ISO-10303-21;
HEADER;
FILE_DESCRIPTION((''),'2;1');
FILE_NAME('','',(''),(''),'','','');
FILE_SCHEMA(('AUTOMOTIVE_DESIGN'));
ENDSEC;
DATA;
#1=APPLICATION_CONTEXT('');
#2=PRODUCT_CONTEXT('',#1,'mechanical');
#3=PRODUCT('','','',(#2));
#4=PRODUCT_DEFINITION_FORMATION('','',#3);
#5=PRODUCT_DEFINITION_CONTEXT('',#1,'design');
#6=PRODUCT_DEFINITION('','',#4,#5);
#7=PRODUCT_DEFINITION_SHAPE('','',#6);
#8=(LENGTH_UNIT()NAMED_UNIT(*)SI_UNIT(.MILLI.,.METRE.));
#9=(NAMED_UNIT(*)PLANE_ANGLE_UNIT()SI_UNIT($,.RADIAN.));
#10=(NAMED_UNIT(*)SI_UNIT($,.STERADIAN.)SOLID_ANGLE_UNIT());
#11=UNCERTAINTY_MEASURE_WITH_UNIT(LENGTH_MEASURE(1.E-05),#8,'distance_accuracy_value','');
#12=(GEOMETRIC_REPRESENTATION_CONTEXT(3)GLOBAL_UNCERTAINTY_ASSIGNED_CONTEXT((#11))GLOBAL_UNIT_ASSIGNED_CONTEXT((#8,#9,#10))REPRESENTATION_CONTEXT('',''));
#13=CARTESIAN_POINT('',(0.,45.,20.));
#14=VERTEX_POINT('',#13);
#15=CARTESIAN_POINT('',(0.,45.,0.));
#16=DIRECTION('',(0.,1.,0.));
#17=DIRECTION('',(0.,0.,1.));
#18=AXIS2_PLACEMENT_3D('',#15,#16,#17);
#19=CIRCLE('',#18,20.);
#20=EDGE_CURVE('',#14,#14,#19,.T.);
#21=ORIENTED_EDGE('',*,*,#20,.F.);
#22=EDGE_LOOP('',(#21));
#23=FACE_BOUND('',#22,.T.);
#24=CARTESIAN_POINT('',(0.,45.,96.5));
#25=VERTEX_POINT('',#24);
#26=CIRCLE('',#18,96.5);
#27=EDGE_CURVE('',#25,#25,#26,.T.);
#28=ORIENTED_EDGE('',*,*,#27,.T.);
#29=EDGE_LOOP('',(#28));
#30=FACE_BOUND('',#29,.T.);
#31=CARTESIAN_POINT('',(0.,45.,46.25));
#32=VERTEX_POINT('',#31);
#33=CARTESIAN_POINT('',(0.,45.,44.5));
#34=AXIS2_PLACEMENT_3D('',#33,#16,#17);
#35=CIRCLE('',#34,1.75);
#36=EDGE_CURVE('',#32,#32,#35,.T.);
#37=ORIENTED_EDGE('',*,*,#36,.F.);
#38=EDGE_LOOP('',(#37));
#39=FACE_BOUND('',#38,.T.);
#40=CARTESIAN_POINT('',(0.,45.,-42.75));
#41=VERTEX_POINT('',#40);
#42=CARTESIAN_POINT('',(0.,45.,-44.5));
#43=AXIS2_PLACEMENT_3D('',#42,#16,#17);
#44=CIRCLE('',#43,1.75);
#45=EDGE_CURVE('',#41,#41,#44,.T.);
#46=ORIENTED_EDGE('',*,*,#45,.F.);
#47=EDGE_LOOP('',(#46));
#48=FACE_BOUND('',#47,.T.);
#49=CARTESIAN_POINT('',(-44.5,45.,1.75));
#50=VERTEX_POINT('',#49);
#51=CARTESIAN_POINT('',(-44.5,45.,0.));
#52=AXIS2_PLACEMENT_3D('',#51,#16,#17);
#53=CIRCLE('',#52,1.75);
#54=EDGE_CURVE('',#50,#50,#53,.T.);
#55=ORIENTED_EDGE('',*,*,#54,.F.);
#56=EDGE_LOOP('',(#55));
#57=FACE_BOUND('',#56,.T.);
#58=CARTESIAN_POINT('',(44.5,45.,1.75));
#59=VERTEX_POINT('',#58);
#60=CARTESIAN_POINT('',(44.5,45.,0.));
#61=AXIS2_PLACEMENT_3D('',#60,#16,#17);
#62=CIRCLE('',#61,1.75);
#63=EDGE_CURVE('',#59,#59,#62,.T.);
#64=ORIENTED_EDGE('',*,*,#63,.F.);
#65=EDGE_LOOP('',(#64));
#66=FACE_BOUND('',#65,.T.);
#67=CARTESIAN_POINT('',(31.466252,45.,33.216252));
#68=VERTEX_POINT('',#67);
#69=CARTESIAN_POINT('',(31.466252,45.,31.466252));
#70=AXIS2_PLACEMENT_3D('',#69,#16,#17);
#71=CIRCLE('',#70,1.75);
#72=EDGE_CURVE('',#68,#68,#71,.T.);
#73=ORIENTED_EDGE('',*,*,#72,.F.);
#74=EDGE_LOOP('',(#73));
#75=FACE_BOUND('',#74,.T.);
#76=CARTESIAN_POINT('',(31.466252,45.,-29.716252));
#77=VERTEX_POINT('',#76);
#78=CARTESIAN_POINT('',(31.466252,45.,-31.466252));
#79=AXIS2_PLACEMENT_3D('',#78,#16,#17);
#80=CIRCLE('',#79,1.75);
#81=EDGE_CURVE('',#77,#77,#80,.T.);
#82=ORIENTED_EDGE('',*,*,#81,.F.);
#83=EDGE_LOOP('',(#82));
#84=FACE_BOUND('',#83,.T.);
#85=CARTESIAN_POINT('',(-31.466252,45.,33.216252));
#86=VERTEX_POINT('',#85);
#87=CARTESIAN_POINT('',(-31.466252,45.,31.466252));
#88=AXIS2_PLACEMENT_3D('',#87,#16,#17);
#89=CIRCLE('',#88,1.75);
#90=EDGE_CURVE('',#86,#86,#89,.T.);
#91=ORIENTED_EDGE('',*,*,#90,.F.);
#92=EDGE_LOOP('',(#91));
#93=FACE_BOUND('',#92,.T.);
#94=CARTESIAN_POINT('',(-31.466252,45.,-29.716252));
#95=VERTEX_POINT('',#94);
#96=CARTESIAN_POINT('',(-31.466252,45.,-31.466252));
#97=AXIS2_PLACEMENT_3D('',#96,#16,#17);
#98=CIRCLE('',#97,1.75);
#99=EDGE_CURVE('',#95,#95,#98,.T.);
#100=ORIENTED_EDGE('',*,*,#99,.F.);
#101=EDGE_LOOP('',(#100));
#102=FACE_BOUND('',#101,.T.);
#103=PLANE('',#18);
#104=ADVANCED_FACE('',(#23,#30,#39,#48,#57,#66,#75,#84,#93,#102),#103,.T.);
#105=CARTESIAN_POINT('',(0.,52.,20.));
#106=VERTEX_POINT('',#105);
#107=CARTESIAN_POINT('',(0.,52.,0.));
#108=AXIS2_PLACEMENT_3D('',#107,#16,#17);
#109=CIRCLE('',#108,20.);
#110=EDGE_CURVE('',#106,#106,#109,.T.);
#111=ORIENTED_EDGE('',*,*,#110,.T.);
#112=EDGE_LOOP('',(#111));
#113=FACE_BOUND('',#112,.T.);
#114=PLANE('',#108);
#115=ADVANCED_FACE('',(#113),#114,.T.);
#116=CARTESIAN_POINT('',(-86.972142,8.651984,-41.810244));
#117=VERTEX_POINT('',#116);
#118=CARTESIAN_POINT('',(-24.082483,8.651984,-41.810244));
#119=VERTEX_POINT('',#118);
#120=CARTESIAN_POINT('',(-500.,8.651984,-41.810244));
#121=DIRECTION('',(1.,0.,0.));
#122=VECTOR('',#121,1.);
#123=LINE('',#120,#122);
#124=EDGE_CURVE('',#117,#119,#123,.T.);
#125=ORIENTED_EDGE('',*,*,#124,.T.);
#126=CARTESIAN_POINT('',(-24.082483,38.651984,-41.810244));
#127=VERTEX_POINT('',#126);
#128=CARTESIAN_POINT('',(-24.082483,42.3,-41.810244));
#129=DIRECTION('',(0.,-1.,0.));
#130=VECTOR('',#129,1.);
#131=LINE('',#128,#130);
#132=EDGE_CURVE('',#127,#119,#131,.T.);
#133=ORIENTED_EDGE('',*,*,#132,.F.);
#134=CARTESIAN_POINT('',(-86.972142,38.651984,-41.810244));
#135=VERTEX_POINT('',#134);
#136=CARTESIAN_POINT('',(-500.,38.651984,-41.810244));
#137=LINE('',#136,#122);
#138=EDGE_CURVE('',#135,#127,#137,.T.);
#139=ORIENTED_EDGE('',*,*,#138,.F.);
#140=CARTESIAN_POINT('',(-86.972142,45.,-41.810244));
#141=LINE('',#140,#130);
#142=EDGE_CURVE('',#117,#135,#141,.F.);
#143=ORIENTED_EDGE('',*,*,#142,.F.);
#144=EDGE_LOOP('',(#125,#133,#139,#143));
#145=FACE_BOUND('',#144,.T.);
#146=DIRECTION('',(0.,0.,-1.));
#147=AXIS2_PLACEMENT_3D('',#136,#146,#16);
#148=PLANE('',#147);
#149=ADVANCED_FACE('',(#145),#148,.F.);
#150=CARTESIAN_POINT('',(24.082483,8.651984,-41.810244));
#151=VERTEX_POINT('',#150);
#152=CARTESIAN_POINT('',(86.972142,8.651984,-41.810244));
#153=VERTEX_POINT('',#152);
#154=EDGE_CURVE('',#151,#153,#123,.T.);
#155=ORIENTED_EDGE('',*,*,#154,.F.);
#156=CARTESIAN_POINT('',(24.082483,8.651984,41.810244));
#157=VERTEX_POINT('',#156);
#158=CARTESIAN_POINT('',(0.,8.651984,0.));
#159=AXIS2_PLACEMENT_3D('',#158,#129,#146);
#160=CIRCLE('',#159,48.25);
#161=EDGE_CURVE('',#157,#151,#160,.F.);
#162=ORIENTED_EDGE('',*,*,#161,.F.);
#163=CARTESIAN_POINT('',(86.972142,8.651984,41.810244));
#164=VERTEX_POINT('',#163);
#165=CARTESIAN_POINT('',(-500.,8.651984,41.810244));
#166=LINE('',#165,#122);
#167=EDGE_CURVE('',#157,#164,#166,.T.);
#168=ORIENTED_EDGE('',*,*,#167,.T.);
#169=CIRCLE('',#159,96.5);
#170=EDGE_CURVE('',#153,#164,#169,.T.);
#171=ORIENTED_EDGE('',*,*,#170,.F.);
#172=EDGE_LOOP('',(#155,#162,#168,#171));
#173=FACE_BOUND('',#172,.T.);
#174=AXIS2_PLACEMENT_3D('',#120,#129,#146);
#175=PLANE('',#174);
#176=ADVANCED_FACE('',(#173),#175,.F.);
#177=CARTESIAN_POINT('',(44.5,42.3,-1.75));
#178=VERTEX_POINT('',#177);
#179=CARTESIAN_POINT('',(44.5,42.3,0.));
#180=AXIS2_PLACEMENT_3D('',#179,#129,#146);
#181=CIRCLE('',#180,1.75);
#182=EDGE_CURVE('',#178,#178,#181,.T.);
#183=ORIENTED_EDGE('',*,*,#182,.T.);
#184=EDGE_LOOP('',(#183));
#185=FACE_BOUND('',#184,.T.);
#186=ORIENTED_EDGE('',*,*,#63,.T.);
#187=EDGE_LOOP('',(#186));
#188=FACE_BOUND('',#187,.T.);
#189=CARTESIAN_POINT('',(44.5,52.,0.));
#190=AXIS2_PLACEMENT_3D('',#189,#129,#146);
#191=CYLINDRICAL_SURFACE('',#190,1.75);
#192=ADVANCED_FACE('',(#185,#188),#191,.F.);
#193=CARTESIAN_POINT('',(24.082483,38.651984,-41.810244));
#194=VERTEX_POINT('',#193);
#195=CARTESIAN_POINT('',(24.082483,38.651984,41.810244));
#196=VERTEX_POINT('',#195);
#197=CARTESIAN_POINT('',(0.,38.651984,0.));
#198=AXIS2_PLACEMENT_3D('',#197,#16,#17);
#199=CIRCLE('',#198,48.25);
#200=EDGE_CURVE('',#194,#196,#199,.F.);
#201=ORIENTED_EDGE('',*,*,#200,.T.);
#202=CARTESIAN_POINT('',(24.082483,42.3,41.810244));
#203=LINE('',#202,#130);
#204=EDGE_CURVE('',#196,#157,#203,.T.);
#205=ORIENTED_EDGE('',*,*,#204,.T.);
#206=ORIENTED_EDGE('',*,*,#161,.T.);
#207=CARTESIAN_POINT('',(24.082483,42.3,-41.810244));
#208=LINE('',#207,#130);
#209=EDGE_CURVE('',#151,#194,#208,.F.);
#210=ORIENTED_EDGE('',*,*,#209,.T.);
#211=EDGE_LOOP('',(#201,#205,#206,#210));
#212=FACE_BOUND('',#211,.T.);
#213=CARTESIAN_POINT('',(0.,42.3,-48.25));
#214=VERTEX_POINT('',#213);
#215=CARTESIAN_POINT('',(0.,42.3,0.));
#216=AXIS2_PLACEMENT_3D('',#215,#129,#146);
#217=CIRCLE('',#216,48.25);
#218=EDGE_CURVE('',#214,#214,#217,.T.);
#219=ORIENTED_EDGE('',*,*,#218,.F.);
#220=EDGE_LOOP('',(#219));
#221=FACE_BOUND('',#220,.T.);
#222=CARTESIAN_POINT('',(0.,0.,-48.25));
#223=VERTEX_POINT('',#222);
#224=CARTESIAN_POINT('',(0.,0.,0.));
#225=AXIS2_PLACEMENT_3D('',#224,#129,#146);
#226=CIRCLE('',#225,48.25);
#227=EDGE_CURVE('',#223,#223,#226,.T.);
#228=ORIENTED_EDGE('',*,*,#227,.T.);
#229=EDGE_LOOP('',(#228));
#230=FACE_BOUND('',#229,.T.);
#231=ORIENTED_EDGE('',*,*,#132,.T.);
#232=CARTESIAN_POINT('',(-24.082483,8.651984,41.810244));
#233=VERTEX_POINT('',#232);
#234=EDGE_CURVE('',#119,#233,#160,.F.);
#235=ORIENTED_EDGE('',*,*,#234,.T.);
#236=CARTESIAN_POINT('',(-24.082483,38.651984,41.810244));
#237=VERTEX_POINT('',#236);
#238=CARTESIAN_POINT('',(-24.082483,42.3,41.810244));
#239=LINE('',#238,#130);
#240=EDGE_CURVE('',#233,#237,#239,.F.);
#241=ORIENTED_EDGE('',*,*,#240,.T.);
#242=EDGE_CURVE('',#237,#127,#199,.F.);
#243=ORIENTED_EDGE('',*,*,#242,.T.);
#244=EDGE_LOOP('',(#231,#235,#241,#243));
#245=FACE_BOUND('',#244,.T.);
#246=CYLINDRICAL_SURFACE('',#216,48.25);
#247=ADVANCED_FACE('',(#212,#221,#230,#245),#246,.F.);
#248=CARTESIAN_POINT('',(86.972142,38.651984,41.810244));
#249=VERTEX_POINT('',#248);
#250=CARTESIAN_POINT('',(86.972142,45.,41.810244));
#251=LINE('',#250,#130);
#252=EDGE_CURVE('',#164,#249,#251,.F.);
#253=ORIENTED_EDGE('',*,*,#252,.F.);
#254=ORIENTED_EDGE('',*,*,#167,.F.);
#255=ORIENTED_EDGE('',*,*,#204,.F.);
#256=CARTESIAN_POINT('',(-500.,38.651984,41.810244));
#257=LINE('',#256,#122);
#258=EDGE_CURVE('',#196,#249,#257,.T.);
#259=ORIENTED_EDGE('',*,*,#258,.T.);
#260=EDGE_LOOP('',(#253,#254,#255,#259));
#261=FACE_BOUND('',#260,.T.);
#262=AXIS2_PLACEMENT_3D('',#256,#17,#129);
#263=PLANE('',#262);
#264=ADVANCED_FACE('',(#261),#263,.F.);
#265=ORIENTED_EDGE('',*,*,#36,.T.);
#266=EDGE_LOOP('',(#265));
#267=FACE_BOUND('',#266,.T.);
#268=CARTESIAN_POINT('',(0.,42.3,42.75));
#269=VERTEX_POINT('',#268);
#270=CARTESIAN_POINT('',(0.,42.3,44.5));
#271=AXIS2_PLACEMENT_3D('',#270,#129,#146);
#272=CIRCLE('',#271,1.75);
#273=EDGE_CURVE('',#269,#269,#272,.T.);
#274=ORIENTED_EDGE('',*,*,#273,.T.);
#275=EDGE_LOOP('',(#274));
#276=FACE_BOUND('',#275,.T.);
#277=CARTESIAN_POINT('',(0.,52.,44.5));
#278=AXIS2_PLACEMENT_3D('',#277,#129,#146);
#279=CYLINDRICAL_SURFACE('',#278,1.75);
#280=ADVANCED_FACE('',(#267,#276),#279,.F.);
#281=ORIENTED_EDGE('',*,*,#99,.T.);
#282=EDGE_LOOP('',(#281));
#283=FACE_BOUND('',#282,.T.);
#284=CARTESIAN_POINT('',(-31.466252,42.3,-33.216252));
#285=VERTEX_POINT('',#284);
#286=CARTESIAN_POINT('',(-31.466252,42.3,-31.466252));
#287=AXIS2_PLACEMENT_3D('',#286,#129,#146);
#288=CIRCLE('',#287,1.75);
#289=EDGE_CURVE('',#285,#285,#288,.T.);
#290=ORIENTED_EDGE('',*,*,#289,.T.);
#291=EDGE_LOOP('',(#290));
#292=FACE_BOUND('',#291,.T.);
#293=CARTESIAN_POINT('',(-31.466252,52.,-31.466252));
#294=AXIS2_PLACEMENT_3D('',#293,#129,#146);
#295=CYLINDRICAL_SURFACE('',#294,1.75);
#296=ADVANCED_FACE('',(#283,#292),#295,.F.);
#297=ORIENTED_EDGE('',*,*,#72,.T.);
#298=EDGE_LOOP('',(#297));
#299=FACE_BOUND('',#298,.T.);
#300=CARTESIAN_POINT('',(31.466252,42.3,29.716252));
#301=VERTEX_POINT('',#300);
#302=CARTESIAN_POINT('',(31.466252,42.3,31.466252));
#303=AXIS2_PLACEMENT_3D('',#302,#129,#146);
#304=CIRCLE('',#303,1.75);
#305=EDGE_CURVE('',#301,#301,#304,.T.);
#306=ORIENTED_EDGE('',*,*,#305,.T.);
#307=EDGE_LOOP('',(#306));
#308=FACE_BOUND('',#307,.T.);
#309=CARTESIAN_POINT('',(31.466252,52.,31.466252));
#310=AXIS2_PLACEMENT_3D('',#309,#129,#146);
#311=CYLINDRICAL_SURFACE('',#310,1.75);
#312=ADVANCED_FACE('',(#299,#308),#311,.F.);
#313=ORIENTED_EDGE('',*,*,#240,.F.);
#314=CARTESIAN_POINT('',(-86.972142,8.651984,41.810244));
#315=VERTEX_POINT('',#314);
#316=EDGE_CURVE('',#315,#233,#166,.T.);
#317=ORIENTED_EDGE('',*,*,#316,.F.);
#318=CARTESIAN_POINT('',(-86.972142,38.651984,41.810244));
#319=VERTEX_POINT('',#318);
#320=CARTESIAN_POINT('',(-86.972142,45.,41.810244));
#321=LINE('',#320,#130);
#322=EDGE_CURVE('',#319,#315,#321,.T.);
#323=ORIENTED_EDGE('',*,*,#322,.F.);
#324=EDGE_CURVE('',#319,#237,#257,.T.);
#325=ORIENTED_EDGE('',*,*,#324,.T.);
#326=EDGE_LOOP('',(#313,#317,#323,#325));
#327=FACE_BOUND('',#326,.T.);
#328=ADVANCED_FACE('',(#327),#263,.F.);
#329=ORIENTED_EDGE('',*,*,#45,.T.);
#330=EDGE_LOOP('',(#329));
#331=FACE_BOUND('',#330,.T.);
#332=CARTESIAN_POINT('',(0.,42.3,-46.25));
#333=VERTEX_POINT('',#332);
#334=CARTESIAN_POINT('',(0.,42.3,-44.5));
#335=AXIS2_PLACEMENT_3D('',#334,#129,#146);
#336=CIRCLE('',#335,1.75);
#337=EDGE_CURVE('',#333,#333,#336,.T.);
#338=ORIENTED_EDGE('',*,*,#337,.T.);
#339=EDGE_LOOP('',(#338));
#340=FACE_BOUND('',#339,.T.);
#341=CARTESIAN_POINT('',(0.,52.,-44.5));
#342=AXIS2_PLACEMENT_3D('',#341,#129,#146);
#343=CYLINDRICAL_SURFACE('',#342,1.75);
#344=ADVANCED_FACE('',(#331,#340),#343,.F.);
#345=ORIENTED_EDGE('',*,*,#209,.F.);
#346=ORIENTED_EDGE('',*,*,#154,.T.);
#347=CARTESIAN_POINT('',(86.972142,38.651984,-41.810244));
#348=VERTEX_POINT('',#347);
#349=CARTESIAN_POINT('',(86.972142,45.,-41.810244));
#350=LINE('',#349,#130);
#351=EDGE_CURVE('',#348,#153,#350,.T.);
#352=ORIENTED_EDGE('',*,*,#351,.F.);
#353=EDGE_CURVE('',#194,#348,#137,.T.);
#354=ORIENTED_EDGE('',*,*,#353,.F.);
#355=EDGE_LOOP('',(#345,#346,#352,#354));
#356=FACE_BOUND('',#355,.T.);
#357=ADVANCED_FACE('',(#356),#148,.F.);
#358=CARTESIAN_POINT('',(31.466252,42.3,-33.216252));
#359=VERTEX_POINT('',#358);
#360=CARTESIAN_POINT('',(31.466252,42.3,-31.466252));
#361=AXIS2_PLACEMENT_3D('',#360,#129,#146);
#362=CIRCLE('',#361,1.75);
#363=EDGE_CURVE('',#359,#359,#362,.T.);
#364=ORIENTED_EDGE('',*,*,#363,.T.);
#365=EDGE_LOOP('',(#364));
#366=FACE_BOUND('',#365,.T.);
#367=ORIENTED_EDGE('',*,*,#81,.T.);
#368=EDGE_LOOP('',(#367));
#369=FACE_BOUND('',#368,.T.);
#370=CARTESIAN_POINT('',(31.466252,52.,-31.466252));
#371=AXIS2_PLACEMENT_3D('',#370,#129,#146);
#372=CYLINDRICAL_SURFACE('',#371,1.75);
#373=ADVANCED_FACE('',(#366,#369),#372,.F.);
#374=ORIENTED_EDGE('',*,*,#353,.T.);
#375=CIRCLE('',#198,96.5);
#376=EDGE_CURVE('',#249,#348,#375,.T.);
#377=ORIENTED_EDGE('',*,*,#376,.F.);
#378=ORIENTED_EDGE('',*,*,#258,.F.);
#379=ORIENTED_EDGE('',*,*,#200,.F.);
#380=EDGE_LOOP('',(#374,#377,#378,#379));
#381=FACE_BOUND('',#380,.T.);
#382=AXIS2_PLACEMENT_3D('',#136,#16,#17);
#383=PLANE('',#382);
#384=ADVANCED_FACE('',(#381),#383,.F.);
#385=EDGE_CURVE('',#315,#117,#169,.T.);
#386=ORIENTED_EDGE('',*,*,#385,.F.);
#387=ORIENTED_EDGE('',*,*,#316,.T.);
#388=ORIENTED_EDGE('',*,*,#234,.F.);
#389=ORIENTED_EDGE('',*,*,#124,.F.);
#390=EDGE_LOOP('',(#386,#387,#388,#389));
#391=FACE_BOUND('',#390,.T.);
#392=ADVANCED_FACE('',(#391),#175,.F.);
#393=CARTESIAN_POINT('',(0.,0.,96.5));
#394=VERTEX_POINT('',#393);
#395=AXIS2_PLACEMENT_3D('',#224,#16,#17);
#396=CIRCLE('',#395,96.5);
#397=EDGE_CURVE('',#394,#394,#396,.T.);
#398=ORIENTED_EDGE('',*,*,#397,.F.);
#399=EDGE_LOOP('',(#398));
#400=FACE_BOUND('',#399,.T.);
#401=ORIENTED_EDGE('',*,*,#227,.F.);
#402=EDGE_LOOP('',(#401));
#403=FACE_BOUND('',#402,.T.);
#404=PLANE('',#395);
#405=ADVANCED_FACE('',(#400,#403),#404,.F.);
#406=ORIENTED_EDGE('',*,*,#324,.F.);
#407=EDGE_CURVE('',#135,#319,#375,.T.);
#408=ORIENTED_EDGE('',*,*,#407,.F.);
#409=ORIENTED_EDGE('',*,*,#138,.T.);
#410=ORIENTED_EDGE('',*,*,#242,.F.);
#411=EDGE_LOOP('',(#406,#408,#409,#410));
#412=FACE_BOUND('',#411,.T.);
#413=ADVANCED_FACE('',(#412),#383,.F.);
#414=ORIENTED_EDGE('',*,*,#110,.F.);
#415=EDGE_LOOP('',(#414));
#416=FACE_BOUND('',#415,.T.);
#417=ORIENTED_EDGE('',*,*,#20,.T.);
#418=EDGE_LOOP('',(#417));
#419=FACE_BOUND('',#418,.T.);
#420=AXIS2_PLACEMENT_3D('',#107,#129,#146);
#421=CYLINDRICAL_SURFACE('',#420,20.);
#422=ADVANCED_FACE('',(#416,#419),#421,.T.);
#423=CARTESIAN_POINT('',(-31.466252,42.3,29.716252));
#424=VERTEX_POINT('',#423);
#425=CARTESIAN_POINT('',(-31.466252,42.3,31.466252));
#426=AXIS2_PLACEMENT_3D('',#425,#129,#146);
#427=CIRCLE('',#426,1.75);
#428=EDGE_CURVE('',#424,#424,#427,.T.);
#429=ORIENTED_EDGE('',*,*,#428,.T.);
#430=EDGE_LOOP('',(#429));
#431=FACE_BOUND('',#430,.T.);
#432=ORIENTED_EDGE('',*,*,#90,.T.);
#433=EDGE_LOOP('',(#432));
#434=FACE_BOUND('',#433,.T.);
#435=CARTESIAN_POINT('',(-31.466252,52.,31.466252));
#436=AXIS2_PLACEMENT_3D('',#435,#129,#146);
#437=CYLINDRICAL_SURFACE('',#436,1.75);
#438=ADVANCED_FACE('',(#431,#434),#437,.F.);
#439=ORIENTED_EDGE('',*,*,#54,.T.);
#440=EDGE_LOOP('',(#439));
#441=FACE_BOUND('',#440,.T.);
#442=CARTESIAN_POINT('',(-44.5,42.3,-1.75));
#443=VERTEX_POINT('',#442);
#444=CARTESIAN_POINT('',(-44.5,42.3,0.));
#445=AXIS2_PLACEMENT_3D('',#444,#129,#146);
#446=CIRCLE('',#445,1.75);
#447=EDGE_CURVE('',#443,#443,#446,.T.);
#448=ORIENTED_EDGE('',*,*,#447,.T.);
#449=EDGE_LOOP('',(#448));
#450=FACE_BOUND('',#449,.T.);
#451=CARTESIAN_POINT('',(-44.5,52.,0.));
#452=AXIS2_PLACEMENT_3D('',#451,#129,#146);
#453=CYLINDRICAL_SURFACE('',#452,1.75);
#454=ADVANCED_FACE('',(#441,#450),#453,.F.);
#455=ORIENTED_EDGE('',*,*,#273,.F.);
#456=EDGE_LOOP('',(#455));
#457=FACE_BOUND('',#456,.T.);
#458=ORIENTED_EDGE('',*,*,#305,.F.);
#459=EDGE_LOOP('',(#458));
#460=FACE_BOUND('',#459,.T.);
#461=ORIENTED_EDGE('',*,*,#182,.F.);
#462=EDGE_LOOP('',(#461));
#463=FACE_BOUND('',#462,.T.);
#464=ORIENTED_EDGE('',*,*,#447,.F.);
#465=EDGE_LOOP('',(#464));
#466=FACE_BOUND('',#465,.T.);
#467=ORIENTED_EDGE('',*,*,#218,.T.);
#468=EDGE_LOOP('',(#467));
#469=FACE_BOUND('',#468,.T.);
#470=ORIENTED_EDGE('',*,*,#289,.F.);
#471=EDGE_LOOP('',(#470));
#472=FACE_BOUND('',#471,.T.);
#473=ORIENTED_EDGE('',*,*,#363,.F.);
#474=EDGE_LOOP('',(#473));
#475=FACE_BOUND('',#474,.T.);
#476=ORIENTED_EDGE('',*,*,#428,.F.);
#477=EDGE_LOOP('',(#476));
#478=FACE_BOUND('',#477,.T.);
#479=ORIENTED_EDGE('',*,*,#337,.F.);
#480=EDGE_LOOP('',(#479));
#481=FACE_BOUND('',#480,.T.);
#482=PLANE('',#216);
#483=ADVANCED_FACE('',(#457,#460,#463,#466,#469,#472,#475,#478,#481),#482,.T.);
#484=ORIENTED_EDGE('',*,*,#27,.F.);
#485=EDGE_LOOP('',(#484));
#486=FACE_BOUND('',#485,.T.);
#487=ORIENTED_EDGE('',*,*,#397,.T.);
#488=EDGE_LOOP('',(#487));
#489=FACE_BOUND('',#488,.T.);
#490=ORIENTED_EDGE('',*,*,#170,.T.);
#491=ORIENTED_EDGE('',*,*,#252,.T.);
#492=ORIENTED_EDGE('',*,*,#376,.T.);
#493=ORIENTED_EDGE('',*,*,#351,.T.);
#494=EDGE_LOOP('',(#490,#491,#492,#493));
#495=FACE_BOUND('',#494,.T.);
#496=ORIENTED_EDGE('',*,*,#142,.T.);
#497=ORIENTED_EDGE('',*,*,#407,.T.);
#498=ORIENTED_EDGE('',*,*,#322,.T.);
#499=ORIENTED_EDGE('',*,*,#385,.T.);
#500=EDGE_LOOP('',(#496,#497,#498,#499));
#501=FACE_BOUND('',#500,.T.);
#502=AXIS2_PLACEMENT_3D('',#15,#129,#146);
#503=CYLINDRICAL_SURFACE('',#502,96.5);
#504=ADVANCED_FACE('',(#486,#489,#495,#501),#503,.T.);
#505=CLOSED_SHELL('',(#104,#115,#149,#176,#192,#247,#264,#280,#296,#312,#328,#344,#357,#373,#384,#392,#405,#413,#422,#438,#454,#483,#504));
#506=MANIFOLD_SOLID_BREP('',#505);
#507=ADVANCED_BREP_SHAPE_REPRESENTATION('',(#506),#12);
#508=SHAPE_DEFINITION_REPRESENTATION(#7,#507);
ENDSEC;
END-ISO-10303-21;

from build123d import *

# Parameters (mm, degrees)
SKETCH_1_R          = 96.5
EXTRUDE_1_DEPTH     = 45
SKETCH_2_R          = 48.25
CUT_EXTRUDE_1_DEPTH = 42.3
SKETCH_3_W          = 83.620488478
SKETCH_3_H          = 30
CUT_EXTRUDE_2_DEPTH = 500
SKETCH_5_R          = 20
EXTRUDE_2_DEPTH     = 7
SKETCH_8_R          = 1.75
CUT_EXTRUDE_3_DEPTH = 143.876835071


with BuildPart() as part:
    # 草图1 → 凸台-拉伸1 (new body)
    with BuildSketch(Plane(origin=(0, 0, 0), x_dir=(1, 0, 0), z_dir=(0, 1, 0))):
        with Locations(Location((0, 0, 0), (0, 0, 90))):
            Circle(SKETCH_1_R)
    extrude(amount=EXTRUDE_1_DEPTH)

    # 草图2 → 切除-拉伸1 (cut)
    with BuildSketch(Plane(origin=(0, 0, 0), x_dir=(-1, 0, 0), z_dir=(0, -1, 0))):
        with Locations(Location((0, 0, 0), (0, 0, 90))):
            Circle(SKETCH_2_R)
    extrude(amount=-CUT_EXTRUDE_1_DEPTH, mode=Mode.SUBTRACT)

    # 草图3 → 切除-拉伸2 (cut, symmetric)
    with BuildSketch(Plane(origin=(0, 0, 0), x_dir=(0, 0, -1), z_dir=(1, 0, 0))):
        with Locations((0, 23.651984039)):
            Rectangle(SKETCH_3_W, SKETCH_3_H)
    extrude(amount=CUT_EXTRUDE_2_DEPTH, both=True, mode=Mode.SUBTRACT)

    # 草图5 → 凸台-拉伸2 (add)
    with BuildSketch(Plane(origin=(0, 45, 0), x_dir=(1, 0, 0), z_dir=(0, 1, 0))):
        with Locations(Location((0, 0, 0), (0, 0, 270))):
            Circle(SKETCH_5_R)
    extrude(amount=EXTRUDE_2_DEPTH)

    # 草图8 → 切除-拉伸3 (cut, through all)
    with BuildSketch(Plane(origin=(0, 42.3, 0), x_dir=(-1, 0, 0), z_dir=(0, -1, 0))):
        with Locations(Location((0, -44.5, 0), (0, 0, 90))):
            Circle(SKETCH_8_R)
        with Locations(Location((-31.466251763, -31.466251763, 0), (0, 0, 90))):
            Circle(SKETCH_8_R)
        with Locations(Location((-44.5, 0, 0), (0, 0, 90))):
            Circle(SKETCH_8_R)
        with Locations(Location((-31.466251763, 31.466251763, 0), (0, 0, 90))):
            Circle(SKETCH_8_R)
        with Locations(Location((0, 44.5, 0), (0, 0, 90))):
            Circle(SKETCH_8_R)
        with Locations(Location((31.466251763, 31.466251763, 0), (0, 0, 90))):
            Circle(SKETCH_8_R)
        with Locations(Location((44.5, 0, 0), (0, 0, 90))):
            Circle(SKETCH_8_R)
        with Locations(Location((31.466251763, -31.466251763, 0), (0, 0, 90))):
            Circle(SKETCH_8_R)
    extrude(amount=-CUT_EXTRUDE_3_DEPTH, mode=Mode.SUBTRACT)


solid = part.part
